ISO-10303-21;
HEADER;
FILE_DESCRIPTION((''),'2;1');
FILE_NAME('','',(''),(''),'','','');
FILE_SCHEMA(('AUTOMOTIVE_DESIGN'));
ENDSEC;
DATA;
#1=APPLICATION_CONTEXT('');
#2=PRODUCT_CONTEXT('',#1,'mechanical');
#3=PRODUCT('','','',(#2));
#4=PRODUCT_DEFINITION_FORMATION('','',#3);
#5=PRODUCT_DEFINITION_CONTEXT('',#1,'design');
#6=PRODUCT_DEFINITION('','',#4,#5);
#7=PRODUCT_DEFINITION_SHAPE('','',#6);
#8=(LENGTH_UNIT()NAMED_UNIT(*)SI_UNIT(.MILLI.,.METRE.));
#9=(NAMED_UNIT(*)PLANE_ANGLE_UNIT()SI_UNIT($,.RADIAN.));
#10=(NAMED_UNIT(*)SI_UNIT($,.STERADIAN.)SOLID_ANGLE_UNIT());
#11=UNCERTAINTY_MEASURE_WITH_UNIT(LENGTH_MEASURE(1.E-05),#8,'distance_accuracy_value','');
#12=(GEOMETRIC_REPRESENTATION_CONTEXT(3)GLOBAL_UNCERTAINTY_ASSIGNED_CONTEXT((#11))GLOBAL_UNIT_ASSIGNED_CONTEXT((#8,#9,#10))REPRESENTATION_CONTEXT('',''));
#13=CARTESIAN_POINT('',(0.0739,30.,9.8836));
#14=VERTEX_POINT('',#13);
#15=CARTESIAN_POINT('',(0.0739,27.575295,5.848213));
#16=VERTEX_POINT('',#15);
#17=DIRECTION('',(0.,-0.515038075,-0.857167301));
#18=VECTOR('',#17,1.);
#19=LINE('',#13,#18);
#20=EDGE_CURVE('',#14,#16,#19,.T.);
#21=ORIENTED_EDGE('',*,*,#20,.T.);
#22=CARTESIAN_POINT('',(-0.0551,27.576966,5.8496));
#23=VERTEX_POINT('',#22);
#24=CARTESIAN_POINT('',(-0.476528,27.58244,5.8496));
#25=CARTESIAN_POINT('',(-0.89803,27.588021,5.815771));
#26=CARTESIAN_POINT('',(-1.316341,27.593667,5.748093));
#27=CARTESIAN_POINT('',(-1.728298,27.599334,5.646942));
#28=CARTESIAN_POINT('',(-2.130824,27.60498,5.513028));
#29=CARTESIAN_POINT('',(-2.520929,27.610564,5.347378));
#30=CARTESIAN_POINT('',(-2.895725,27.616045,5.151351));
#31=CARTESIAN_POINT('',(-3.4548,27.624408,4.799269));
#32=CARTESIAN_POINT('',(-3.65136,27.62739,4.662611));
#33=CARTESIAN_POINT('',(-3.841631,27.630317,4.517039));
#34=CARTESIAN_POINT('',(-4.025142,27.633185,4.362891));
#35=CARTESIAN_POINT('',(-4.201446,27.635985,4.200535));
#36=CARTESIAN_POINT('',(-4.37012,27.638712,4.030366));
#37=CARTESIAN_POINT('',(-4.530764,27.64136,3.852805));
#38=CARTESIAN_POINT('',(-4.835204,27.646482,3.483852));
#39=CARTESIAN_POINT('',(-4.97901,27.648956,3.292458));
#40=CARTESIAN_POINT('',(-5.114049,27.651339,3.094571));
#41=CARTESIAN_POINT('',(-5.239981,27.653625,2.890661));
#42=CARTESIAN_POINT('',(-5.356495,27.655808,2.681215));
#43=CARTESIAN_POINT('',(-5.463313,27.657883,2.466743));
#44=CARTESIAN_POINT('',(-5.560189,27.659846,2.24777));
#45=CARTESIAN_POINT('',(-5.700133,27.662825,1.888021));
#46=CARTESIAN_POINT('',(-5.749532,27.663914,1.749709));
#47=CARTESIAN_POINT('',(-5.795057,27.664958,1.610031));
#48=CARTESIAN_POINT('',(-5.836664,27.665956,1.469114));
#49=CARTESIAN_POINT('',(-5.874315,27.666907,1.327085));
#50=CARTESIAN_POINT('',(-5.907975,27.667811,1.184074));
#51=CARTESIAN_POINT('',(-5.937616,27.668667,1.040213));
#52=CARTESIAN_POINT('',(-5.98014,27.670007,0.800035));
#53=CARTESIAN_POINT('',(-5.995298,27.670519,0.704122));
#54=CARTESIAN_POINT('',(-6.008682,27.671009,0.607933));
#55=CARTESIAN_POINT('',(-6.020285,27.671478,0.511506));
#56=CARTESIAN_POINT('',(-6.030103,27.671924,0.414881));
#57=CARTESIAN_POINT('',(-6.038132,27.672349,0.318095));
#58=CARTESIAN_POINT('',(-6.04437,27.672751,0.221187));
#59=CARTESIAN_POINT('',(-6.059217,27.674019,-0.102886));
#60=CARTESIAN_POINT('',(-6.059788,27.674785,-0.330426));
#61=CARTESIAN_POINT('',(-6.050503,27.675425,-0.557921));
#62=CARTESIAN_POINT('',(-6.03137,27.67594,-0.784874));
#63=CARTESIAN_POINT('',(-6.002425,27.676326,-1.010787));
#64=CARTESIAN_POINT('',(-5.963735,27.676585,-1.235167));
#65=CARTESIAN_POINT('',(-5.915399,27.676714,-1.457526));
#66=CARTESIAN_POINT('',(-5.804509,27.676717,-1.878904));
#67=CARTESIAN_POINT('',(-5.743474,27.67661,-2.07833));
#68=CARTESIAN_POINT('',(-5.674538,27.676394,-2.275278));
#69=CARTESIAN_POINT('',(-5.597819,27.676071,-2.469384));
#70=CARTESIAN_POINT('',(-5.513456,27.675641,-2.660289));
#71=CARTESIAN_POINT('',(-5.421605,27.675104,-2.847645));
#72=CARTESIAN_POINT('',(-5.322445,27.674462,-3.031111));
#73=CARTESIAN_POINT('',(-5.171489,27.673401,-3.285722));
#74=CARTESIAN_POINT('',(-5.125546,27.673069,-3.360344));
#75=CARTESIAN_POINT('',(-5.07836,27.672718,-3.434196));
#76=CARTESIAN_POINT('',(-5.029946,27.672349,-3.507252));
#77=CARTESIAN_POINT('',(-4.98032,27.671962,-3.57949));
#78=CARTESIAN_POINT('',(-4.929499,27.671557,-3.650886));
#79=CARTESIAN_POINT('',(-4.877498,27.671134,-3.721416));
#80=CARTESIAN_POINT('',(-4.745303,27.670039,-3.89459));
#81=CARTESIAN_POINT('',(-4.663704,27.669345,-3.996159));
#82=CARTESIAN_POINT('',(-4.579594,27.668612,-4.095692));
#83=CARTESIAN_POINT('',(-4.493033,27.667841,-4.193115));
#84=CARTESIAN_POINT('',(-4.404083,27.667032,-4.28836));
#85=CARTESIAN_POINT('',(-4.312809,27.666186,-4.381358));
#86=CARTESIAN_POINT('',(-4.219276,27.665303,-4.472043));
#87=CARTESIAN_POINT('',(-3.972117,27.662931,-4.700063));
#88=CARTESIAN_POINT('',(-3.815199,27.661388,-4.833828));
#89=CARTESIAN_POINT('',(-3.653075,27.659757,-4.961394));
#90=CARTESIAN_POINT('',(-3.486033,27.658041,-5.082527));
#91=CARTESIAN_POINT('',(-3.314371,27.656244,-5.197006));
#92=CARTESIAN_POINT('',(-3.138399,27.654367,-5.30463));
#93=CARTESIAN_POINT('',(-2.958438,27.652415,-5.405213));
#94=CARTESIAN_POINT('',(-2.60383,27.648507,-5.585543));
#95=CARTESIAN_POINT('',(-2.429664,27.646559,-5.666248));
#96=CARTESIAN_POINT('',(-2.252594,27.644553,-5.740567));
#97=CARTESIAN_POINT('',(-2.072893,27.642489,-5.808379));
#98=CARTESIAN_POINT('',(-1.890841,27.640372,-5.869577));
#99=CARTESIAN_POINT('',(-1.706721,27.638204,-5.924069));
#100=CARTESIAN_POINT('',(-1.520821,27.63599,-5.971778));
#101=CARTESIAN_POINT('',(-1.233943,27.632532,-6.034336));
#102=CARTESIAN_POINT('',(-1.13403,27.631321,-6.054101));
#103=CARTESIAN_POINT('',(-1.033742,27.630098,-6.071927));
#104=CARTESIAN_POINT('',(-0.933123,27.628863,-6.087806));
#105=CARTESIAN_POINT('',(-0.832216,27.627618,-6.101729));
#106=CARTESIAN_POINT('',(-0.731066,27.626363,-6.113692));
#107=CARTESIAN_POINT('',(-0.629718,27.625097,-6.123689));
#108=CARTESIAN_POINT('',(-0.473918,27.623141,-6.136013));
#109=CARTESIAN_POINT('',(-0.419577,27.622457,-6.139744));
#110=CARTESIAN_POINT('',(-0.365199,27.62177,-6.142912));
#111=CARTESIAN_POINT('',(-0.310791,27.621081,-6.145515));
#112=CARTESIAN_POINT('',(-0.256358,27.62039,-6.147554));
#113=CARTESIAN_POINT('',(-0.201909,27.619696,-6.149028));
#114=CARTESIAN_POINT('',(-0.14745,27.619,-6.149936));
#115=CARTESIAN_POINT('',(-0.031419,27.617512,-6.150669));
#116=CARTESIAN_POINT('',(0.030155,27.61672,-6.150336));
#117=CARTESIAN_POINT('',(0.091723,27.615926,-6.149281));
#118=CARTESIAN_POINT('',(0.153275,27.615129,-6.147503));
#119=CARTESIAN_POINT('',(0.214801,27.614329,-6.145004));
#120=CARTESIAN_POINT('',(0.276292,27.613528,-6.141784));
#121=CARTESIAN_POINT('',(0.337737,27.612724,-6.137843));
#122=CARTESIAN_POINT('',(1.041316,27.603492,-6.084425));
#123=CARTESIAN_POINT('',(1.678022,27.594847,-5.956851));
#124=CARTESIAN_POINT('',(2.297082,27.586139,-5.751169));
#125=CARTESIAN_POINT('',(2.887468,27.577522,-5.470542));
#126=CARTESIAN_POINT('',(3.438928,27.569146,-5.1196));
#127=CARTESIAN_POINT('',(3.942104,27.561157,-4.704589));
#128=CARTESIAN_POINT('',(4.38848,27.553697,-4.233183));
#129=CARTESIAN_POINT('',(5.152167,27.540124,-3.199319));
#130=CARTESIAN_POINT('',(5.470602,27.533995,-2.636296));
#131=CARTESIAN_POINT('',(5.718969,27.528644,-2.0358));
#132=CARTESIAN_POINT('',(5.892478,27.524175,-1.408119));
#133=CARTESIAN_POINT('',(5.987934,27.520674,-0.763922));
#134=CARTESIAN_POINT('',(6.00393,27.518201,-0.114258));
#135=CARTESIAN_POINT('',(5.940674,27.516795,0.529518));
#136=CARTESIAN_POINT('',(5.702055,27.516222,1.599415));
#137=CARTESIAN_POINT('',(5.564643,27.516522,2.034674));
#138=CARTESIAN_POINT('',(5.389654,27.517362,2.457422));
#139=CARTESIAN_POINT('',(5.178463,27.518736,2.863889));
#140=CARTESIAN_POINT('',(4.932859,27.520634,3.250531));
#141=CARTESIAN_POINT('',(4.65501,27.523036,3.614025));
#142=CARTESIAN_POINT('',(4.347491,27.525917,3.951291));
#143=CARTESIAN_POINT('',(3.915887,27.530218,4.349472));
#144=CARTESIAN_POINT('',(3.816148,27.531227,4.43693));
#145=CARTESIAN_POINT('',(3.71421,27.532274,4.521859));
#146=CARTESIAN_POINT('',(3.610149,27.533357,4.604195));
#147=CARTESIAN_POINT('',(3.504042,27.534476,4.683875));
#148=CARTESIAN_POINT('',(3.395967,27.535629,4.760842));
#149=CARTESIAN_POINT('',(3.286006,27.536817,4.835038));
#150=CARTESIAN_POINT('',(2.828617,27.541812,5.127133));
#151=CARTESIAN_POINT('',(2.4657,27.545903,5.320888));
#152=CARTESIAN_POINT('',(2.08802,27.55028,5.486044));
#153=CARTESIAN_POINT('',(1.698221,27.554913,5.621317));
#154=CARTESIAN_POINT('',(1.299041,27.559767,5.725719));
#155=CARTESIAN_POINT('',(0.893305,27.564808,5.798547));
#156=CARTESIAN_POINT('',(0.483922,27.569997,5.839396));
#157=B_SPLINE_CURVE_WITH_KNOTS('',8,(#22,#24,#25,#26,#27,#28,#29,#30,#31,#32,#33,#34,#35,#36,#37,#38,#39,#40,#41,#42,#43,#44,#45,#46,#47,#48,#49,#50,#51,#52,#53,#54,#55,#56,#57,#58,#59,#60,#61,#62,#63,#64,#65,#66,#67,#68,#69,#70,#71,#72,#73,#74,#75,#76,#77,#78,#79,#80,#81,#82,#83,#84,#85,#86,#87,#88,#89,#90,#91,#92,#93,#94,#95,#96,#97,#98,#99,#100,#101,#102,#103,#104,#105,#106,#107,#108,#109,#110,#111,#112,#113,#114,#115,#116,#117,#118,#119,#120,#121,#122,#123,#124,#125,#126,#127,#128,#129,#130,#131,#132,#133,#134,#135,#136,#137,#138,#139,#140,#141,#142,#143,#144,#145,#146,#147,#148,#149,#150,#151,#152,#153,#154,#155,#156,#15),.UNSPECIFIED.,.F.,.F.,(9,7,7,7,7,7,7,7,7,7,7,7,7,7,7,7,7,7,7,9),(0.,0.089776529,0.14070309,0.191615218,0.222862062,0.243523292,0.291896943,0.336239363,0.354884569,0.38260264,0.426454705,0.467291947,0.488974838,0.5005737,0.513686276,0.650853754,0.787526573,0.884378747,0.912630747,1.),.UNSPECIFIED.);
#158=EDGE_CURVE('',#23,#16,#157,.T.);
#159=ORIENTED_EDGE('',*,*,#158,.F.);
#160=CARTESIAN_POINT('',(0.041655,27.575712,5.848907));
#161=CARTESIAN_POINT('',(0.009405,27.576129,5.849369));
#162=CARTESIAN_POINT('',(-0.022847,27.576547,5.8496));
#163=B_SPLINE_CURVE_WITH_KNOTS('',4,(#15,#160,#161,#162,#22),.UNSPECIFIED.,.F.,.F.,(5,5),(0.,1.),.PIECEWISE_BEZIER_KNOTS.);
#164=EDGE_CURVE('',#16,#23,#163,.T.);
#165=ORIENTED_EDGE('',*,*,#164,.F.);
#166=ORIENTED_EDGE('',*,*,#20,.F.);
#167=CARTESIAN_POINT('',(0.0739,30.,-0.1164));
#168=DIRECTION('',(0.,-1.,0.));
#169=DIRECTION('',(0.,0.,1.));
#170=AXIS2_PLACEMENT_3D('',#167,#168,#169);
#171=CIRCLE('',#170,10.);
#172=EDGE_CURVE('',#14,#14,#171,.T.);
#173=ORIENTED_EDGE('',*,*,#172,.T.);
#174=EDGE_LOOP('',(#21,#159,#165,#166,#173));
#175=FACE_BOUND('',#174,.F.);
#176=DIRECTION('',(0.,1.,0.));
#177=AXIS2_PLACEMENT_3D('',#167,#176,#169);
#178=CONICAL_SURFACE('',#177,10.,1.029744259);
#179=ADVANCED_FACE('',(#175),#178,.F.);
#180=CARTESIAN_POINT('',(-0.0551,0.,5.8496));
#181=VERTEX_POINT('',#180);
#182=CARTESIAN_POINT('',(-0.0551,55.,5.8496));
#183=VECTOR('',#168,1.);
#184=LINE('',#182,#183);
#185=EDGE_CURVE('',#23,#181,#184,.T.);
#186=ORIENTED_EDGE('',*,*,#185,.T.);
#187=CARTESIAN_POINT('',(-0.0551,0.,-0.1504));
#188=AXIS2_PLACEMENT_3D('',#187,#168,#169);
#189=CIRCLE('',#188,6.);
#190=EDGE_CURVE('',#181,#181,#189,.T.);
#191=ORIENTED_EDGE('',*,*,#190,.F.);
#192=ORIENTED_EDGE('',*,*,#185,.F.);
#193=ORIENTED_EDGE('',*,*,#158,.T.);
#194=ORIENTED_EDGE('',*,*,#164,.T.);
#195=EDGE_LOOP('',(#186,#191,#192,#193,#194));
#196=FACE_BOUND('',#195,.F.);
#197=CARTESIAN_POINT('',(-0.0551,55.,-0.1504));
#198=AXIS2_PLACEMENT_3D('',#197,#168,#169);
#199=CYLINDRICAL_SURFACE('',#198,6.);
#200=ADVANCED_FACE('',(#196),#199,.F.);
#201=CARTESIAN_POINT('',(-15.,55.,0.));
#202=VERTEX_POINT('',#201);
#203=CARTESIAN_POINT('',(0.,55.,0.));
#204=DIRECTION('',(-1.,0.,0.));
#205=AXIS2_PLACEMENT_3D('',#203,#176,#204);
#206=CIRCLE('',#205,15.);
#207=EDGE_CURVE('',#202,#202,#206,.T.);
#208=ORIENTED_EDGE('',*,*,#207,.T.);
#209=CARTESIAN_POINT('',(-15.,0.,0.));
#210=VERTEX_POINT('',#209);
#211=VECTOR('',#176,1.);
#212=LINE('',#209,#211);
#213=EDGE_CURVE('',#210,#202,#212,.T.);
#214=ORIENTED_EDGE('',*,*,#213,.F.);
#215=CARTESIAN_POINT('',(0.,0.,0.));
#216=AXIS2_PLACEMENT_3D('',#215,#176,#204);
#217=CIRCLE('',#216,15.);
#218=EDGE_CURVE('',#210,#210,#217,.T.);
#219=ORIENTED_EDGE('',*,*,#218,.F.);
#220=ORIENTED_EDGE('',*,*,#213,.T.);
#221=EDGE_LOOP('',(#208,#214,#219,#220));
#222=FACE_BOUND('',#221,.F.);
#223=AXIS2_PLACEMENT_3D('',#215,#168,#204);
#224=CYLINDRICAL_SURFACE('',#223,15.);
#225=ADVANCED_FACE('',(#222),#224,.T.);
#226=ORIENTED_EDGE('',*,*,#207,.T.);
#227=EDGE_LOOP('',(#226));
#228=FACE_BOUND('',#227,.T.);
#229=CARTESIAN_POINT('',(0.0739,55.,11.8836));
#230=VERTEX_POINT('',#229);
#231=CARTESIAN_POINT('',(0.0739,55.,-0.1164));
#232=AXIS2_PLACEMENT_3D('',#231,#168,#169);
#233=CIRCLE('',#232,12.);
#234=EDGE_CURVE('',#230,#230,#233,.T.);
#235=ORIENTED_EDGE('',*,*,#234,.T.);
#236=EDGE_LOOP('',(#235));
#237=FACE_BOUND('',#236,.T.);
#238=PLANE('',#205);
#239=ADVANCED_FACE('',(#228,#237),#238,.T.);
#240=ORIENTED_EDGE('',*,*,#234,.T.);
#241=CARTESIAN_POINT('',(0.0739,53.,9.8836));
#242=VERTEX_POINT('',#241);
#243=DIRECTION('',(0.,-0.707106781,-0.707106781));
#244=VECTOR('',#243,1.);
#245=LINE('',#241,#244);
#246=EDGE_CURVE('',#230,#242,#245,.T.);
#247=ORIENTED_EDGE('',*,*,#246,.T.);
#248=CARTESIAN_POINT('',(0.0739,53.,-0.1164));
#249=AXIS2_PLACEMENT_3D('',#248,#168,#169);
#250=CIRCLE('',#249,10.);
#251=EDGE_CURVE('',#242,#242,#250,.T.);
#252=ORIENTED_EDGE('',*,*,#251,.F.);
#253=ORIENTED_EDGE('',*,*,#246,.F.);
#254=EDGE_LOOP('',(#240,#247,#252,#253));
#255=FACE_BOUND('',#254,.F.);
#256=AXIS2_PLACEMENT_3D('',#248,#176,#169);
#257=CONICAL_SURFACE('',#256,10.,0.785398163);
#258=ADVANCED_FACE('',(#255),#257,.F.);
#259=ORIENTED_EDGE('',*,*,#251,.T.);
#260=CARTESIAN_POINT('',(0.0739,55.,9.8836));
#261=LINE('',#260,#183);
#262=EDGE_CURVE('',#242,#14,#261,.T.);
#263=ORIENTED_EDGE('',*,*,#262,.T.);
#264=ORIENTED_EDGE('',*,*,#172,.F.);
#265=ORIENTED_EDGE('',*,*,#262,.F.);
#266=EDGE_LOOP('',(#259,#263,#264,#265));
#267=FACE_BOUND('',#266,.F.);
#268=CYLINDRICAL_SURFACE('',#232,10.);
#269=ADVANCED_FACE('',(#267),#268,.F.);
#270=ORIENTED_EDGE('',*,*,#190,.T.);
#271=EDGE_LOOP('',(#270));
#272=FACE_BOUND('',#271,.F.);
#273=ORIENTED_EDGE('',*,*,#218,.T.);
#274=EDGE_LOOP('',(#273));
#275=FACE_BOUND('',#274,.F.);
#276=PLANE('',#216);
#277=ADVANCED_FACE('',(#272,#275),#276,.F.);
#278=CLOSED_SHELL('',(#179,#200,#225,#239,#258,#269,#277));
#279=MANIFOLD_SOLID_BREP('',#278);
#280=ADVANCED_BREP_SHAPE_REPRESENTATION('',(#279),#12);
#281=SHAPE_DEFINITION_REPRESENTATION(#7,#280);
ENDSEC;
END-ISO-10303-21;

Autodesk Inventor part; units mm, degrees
ref_plane "YZ Plane" through (0, 0, 0) normal (1, 0, 0) x (0, 1, 0)
ref_plane "XZ Plane" through (0, 0, 0) normal (0, 1, 0) x (-1, 0, 0)
ref_plane "XY Plane" through (0, 0, 0) normal (0, 0, 1) x (1, 0, 0)
sketch "Эскиз1" plane through (0, 0, 0) normal (0, 1, 0) x (-1, 0, 0)
  circle A0 centre (0, 0) radius 15
  dimension "d0" = 30
extrude "Выдавливание1" add sketch "Эскиз1" along normal blind 55
hole "Отверстие1" at (-0.0551, 55, -0.1504) direction (0, -1, 0) diameter 12 depth 55 tip angle 118
hole "Отверстие2" at (0.0739, 55, -0.1164) direction (0, -1, 0) diameter 20 depth 25 tip angle 118
thread "Резьба1" size "M20x2.5" class "6H" standard "ANSI Metric M Profile" length 20
chamfer "Фаска1" distance 2 angle 45 1 edges at (0.0739, 55, -10.1164)
